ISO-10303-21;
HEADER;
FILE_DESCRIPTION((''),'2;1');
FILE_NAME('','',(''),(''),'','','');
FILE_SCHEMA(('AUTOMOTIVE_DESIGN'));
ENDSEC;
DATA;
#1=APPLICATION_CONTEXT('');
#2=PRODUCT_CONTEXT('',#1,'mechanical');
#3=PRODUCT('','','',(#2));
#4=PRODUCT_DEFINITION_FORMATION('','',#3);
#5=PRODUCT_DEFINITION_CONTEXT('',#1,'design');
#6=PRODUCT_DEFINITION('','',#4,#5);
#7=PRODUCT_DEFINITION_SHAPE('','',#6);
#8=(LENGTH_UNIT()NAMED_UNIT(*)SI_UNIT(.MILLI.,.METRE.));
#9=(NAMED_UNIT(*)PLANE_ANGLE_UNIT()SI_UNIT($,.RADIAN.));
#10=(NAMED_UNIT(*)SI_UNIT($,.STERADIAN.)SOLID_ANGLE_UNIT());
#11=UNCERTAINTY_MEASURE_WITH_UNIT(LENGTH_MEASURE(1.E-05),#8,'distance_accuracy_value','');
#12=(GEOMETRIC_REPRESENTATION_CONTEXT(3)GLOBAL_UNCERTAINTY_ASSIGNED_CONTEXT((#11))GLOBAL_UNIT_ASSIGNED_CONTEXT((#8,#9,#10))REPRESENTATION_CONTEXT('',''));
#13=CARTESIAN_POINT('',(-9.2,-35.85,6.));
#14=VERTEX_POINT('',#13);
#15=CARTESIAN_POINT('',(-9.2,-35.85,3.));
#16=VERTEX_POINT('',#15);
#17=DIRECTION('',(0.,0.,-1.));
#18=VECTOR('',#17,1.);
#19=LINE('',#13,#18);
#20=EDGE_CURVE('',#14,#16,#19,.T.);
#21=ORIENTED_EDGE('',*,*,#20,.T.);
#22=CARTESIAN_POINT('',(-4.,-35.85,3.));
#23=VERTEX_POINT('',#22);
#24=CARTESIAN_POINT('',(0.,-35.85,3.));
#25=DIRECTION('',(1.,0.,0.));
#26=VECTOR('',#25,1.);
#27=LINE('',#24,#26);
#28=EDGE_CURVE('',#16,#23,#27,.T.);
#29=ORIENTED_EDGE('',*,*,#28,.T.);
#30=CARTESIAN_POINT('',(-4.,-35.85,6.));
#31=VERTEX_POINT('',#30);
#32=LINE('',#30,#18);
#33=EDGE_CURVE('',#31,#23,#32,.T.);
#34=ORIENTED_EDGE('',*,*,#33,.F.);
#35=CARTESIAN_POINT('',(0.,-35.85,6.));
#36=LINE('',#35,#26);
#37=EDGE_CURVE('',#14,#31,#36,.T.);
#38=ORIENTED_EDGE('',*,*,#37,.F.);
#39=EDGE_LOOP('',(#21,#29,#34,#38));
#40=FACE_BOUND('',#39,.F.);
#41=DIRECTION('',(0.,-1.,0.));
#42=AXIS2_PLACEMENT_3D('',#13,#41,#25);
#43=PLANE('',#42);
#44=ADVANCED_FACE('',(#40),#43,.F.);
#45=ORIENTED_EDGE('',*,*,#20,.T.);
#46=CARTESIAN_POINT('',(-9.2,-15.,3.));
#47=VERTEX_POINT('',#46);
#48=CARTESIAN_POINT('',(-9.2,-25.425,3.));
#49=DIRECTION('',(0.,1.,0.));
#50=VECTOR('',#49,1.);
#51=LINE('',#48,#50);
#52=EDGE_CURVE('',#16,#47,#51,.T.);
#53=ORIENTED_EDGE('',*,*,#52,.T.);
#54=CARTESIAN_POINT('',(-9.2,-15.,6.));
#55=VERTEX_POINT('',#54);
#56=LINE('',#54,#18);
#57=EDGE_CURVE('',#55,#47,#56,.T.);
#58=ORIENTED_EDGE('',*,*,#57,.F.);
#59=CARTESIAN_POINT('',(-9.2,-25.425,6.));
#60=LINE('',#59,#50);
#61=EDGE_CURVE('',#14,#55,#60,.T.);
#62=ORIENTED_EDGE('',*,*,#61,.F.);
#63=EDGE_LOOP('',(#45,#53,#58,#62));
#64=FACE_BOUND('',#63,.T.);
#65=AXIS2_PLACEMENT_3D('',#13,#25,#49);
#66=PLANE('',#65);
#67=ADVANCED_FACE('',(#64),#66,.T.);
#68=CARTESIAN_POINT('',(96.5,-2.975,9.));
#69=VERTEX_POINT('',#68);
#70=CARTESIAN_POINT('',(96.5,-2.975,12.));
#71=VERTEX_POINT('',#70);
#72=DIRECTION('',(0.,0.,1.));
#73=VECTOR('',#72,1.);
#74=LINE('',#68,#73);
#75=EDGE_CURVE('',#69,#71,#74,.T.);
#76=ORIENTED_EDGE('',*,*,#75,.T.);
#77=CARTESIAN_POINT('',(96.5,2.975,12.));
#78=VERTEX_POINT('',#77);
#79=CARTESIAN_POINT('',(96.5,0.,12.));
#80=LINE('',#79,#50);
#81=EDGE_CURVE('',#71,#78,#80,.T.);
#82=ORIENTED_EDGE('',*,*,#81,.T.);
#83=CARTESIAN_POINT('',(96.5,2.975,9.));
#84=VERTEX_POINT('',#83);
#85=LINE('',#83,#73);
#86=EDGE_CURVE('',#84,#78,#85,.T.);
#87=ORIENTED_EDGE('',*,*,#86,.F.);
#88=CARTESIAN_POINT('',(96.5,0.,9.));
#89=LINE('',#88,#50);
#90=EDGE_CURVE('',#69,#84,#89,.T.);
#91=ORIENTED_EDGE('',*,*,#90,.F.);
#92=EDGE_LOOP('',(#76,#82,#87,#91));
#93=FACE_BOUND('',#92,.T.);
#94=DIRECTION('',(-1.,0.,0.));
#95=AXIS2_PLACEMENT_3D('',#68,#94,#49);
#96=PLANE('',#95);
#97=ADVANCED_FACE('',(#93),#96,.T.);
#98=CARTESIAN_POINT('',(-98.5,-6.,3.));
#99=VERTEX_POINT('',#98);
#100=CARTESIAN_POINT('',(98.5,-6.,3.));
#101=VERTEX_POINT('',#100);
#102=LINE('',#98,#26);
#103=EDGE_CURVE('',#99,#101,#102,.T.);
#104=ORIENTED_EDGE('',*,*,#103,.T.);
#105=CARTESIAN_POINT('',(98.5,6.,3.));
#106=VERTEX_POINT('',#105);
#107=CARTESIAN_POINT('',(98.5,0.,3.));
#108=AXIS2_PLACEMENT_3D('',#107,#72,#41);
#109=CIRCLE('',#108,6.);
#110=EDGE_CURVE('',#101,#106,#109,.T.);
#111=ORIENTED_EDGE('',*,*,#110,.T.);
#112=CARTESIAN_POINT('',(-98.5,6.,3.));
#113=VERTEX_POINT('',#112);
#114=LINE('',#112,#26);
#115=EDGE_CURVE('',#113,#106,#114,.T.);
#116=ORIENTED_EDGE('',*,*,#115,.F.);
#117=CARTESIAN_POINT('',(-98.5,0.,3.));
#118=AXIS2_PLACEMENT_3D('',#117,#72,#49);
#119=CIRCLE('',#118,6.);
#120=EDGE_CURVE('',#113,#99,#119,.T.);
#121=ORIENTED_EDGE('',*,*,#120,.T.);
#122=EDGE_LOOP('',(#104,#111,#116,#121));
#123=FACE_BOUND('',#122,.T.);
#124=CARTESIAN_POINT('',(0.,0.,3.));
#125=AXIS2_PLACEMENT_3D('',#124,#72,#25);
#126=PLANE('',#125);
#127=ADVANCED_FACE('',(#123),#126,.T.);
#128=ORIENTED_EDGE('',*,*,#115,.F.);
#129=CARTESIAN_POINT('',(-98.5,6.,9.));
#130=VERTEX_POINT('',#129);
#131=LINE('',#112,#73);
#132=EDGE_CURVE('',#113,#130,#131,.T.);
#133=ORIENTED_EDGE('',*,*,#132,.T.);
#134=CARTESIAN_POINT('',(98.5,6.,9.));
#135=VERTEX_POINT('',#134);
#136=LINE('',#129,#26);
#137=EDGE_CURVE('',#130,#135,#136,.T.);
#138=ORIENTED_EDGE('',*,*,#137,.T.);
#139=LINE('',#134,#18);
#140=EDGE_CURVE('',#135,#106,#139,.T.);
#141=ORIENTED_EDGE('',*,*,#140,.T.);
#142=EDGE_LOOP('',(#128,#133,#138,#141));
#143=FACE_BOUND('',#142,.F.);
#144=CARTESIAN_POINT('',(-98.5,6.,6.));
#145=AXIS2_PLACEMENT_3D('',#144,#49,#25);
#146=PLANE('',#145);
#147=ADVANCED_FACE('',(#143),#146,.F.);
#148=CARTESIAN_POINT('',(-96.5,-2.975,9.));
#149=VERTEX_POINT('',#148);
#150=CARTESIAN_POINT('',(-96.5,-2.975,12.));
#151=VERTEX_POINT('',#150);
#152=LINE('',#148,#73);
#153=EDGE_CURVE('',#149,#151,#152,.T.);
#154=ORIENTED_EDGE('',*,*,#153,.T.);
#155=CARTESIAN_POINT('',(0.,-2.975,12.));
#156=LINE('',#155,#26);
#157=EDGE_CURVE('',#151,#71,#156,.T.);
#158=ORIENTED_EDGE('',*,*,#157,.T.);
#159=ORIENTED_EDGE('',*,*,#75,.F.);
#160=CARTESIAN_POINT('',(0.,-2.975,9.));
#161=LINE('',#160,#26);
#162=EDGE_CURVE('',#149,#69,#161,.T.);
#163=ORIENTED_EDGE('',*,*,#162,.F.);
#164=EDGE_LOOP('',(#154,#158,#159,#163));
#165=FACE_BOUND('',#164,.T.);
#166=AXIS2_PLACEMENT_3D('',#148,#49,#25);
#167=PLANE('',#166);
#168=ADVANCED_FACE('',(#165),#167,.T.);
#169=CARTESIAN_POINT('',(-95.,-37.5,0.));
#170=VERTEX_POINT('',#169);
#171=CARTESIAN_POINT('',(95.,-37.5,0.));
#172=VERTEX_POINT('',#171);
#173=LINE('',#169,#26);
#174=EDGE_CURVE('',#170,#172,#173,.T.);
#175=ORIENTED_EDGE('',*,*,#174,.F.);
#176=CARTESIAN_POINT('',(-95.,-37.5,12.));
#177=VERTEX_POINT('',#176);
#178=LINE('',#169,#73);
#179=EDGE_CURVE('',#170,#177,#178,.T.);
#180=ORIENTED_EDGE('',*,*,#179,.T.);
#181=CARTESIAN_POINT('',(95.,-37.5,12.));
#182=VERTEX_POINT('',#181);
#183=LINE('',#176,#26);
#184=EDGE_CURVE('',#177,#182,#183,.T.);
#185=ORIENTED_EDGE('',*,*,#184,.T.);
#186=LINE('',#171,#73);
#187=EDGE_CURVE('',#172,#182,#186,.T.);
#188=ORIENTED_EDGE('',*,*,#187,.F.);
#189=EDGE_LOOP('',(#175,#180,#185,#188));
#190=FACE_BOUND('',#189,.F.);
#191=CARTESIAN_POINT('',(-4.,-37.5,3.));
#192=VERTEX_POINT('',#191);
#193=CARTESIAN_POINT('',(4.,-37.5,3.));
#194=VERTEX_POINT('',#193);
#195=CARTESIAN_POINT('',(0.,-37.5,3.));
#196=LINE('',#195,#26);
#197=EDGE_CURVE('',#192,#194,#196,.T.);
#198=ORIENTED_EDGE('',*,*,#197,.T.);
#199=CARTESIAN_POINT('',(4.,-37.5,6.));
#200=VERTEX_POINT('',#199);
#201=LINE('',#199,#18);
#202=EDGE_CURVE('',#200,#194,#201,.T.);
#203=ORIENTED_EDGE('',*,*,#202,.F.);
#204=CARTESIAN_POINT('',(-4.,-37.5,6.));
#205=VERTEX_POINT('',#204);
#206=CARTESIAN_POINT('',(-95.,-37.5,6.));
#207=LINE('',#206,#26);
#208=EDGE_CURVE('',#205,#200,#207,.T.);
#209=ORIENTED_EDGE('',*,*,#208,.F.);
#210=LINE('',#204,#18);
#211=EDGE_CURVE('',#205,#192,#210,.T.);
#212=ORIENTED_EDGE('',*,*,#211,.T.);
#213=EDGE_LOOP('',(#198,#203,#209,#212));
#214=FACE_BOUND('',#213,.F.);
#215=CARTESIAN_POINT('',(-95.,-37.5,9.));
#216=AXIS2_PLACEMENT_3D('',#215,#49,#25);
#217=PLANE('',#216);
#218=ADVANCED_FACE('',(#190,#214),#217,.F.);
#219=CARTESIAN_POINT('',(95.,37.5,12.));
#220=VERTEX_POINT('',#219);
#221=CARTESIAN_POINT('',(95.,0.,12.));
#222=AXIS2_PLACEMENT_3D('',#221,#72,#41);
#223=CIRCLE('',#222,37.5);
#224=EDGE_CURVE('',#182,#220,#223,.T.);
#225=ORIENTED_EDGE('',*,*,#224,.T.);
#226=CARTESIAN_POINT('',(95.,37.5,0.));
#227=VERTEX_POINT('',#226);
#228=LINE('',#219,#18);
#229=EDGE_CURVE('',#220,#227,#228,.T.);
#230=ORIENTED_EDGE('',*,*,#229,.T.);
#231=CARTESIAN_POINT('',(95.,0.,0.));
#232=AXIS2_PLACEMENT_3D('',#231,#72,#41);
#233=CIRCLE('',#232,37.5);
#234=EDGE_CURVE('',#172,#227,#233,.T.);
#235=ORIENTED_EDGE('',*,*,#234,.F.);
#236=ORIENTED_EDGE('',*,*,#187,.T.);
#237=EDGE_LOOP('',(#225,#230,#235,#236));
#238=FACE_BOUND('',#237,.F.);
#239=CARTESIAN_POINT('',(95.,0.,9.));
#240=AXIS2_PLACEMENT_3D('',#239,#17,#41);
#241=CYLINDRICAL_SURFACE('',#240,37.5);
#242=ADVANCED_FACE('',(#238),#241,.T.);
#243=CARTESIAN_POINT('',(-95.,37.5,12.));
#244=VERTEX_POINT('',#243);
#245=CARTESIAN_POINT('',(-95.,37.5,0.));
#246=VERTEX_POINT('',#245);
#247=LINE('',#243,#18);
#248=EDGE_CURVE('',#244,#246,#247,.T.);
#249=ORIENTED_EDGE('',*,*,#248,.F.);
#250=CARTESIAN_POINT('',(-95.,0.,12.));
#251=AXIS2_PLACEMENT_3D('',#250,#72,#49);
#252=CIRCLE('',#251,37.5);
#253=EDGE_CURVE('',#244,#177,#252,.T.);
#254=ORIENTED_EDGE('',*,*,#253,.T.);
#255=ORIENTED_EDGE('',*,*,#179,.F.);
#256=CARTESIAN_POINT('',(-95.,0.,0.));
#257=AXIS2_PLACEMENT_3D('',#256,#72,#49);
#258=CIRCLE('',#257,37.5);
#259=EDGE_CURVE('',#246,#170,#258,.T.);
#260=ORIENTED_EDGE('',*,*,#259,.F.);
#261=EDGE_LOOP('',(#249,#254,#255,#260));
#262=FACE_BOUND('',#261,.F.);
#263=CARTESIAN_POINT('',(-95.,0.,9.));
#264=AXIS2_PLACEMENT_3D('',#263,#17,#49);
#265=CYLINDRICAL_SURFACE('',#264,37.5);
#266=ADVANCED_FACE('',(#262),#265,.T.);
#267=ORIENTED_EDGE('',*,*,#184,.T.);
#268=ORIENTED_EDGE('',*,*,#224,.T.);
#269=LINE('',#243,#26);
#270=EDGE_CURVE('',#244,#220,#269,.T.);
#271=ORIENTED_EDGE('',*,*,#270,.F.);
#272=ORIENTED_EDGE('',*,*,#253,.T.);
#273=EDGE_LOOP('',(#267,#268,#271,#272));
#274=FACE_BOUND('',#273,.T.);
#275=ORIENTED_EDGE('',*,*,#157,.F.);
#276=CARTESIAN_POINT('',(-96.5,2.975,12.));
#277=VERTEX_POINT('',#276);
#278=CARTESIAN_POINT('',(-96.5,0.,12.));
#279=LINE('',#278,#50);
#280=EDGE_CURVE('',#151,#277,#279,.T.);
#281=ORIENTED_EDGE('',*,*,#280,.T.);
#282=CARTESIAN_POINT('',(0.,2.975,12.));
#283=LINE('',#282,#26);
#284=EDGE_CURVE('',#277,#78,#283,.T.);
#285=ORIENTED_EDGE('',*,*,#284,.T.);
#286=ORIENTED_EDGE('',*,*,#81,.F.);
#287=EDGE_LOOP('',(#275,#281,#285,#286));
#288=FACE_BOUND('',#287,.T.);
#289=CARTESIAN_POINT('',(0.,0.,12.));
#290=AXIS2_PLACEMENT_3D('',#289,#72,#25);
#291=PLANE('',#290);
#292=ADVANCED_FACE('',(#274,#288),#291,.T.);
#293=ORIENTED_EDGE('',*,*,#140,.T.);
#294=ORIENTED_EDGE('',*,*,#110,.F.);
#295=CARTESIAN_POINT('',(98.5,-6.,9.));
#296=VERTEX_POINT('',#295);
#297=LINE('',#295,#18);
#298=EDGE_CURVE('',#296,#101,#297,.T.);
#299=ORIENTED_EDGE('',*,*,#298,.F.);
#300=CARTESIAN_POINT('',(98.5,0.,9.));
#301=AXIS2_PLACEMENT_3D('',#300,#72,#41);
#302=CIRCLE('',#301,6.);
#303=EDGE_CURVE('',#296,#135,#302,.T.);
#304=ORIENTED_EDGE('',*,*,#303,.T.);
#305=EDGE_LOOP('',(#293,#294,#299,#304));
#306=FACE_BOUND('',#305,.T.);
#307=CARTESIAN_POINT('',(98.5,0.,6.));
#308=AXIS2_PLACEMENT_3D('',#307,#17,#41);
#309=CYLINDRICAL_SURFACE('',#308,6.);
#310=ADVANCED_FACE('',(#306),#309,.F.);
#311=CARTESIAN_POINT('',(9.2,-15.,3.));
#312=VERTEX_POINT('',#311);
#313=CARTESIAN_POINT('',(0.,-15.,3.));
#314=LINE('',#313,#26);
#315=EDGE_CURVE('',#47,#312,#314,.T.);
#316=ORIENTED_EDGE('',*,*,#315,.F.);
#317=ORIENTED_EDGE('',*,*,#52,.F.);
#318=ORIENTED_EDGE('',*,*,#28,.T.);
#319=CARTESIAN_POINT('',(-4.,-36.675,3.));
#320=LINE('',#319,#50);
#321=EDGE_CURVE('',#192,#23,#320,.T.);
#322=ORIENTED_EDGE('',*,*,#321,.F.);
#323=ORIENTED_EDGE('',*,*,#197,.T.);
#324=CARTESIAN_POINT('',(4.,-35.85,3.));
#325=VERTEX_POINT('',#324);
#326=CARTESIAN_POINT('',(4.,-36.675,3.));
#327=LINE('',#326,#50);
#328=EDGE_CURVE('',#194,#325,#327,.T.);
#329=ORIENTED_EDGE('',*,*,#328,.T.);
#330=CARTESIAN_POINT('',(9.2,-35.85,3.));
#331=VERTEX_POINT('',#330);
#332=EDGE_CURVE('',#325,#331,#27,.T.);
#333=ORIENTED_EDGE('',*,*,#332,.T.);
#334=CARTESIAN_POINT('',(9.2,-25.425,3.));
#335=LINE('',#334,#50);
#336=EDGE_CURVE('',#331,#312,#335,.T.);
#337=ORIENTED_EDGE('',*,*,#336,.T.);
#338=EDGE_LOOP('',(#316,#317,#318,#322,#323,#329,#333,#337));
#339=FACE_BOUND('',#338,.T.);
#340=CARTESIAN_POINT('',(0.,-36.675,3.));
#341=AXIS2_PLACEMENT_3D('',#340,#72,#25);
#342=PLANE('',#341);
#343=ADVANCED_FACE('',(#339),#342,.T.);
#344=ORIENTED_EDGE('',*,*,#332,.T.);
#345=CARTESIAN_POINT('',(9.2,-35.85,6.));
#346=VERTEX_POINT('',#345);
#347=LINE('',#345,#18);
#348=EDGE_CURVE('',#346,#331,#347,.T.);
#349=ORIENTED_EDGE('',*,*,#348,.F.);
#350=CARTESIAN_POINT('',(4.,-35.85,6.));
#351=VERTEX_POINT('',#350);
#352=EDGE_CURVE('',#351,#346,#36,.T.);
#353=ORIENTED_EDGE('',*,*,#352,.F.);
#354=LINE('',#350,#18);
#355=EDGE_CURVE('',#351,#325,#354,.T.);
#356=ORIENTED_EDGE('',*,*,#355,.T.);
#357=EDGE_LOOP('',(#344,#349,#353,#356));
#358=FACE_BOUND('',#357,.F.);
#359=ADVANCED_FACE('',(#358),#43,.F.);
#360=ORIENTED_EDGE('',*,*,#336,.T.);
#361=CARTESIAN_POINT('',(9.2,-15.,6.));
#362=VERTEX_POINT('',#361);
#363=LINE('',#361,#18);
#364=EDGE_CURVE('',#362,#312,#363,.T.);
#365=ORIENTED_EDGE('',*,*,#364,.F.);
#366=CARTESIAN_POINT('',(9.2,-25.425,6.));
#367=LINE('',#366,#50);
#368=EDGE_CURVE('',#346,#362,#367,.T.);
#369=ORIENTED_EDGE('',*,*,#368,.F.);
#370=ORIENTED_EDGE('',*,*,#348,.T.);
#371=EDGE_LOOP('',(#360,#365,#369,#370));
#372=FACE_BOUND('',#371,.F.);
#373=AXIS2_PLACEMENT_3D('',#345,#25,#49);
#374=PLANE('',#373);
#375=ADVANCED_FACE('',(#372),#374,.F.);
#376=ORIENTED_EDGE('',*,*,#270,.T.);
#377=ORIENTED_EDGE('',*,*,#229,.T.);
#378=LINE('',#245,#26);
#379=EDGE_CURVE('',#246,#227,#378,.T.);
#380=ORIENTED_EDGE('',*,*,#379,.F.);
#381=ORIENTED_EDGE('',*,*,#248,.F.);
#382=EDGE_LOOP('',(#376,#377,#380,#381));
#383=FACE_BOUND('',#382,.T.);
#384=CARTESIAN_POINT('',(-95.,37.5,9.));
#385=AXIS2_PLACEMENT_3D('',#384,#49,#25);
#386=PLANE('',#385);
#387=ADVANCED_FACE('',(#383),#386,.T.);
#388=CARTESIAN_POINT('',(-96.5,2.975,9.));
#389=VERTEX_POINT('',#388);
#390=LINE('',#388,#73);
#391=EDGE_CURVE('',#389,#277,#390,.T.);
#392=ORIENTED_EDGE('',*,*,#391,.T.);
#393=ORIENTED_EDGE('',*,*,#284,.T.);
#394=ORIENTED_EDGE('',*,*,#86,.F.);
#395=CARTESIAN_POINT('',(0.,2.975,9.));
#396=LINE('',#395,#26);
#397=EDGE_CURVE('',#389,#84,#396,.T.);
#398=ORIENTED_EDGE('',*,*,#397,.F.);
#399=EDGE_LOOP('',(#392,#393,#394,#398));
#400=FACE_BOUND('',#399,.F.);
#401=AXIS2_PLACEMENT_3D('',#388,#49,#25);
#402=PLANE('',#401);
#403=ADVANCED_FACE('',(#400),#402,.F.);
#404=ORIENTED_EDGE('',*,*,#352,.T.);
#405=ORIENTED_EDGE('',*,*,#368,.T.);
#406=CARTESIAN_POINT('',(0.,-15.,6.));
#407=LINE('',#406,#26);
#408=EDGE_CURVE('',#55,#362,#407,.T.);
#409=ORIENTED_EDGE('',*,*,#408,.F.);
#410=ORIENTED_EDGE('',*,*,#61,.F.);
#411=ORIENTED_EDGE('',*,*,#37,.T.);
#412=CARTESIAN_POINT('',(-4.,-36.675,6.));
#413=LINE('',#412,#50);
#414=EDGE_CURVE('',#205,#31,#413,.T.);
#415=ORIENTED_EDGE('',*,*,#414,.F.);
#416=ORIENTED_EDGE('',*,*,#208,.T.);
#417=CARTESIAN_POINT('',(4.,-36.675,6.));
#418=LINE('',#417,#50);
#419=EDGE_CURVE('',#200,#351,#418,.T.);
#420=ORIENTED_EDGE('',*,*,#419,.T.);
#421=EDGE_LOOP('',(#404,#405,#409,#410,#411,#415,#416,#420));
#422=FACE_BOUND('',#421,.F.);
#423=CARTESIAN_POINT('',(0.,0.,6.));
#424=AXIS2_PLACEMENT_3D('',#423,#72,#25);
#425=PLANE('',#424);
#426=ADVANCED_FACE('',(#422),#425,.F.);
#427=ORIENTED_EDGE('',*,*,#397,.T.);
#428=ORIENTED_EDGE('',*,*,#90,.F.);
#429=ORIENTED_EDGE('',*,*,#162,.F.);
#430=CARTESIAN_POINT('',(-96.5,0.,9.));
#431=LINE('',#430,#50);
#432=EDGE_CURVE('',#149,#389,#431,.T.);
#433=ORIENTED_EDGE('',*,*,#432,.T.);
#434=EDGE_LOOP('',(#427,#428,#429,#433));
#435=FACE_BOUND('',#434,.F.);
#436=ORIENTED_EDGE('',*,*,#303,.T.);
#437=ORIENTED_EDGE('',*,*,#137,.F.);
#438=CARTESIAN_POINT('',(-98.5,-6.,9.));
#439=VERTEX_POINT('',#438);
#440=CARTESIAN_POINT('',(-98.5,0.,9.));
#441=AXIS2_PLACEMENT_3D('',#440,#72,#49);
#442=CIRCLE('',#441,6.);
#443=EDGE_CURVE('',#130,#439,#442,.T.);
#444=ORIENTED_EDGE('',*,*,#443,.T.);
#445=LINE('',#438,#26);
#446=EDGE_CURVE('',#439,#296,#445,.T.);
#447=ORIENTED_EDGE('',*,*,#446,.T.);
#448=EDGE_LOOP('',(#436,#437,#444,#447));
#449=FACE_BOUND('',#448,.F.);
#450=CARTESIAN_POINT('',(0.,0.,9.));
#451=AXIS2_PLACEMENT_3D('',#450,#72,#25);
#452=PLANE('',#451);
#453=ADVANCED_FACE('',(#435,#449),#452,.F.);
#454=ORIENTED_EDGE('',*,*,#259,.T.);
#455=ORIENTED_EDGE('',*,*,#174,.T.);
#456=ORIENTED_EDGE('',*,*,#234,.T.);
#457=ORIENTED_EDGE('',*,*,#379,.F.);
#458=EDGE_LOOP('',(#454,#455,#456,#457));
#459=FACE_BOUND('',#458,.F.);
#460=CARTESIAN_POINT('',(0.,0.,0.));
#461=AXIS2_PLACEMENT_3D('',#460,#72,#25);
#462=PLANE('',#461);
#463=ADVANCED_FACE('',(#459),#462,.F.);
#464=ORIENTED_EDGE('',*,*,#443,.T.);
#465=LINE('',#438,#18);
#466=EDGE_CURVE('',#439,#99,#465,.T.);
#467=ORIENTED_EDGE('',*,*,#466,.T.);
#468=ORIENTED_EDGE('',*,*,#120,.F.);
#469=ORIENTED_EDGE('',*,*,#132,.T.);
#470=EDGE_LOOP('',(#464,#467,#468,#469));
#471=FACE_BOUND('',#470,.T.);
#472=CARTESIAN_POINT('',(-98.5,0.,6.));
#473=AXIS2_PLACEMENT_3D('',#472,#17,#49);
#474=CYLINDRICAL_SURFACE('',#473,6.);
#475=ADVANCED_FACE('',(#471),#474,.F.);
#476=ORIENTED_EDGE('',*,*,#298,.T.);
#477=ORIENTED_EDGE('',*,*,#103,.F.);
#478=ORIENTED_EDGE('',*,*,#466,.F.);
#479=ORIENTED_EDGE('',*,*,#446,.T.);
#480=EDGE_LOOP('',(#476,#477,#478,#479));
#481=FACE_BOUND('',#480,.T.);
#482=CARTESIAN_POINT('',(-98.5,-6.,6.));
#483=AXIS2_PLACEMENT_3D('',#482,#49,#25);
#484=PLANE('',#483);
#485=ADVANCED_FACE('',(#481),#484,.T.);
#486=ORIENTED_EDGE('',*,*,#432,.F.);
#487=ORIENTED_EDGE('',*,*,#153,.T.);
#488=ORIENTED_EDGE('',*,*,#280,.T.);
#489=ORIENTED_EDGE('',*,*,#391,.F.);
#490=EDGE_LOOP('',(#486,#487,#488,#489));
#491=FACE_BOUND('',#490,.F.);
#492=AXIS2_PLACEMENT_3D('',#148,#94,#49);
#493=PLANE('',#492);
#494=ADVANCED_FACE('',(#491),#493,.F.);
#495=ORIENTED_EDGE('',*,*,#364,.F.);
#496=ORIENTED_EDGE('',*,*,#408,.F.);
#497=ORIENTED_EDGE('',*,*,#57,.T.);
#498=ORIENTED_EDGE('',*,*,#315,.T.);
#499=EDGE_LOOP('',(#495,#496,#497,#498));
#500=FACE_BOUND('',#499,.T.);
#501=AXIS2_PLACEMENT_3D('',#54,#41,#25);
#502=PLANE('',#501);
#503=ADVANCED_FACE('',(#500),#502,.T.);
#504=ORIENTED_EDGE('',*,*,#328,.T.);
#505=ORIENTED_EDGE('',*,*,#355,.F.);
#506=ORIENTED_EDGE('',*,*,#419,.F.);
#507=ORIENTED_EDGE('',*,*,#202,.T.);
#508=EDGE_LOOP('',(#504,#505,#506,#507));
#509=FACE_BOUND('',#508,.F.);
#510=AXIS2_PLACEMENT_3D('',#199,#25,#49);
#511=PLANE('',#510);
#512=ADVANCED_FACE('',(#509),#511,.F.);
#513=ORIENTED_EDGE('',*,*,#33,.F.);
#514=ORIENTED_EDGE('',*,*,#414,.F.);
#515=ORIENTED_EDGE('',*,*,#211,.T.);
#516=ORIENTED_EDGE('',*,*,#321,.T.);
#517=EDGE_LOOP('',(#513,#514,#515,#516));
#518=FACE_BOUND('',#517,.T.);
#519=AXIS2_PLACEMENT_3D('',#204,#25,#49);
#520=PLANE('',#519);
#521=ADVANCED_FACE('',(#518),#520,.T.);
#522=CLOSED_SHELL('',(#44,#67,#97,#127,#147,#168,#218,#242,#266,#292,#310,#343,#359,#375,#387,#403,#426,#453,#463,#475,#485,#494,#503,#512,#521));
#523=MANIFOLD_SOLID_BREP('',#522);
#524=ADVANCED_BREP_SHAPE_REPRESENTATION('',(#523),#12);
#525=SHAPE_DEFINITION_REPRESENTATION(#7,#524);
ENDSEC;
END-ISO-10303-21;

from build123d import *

# Parameters (mm, degrees)
PAD_DEPTH       = 6
POCKET_DEPTH    = 3
SKETCH002_W     = 18.4
SKETCH002_H     = 20.85
POCKET001_DEPTH = 3
SKETCH003_W     = 8
SKETCH003_H     = 1.65
POCKET002_DEPTH = 3
PAD001_DEPTH    = 3
SKETCH005_W     = 193
SKETCH005_H     = 5.95
PAD002_DEPTH    = 3


with BuildPart() as part:
    # Sketch → Pad (new body)
    with BuildSketch(Plane.XY):
        with BuildLine():
            ThreePointArc((-95, 37.5), (-132.5, 0), (-95, -37.5))
            Line((-95, -37.5), (95, -37.5))
            ThreePointArc((95, -37.5), (132.5, 0), (95, 37.5))
            Line((-95, 37.5), (95, 37.5))
        make_face()
    extrude(amount=PAD_DEPTH)

    # Sketch001 (on Face6 of Pad) → Pocket (cut)
    with BuildSketch(Plane.XY.offset(6)):
        with BuildLine():
            ThreePointArc((-98.5, 6), (-104.5, 0), (-98.5, -6))
            Line((-98.5, -6), (98.5, -6))
            ThreePointArc((98.5, -6), (104.5, 0), (98.5, 6))
            Line((-98.5, 6), (98.5, 6))
        make_face()
    extrude(amount=-POCKET_DEPTH, mode=Mode.SUBTRACT)

    # Sketch002 (on Face5 of Pocket) → Pocket001 (cut)
    with BuildSketch(Plane.XY.offset(6)):
        with Locations((0, -25.425)):
            Rectangle(SKETCH002_W, SKETCH002_H)
    extrude(amount=-POCKET001_DEPTH, mode=Mode.SUBTRACT)

    # Sketch003 (on Face5 of Pocket001) → Pocket002 (cut)
    with BuildSketch(Plane.XY.offset(6)):
        with Locations((0, -36.675)):
            Rectangle(SKETCH003_W, SKETCH003_H)
    extrude(amount=-POCKET002_DEPTH, mode=Mode.SUBTRACT)

    # Sketch004 (on Face5 of Pocket002) → Pad001 (join)
    with BuildSketch(Plane.XY.offset(6)):
        with BuildLine():
            ThreePointArc((-95, 37.5), (-132.5, 0), (-95, -37.5))
            Line((-95, -37.5), (95, -37.5))
            ThreePointArc((95, -37.5), (132.5, 0), (95, 37.5))
            Line((-95, 37.5), (95, 37.5))
        make_face()
        with BuildLine():
            ThreePointArc((-98.5, 6), (-104.5, 0), (-98.5, -6))
            Line((-98.5, -6), (98.5, -6))
            ThreePointArc((98.5, -6), (104.5, 0), (98.5, 6))
            Line((-98.5, 6), (98.5, 6))
        make_face(mode=Mode.SUBTRACT)
    extrude(amount=PAD001_DEPTH)

    # Sketch005 (on Face12 of Pad001) → Pad002 (join)
    with BuildSketch(Plane.XY.offset(9)):
        with BuildLine():
            ThreePointArc((-95, 37.5), (-132.5, 0), (-95, -37.5))
            Line((-95, -37.5), (95, -37.5))
            ThreePointArc((95, -37.5), (132.5, 0), (95, 37.5))
            Line((-95, 37.5), (95, 37.5))
        make_face()
        Rectangle(SKETCH005_W, SKETCH005_H, mode=Mode.SUBTRACT)
    extrude(amount=PAD002_DEPTH)


solid = part.part
